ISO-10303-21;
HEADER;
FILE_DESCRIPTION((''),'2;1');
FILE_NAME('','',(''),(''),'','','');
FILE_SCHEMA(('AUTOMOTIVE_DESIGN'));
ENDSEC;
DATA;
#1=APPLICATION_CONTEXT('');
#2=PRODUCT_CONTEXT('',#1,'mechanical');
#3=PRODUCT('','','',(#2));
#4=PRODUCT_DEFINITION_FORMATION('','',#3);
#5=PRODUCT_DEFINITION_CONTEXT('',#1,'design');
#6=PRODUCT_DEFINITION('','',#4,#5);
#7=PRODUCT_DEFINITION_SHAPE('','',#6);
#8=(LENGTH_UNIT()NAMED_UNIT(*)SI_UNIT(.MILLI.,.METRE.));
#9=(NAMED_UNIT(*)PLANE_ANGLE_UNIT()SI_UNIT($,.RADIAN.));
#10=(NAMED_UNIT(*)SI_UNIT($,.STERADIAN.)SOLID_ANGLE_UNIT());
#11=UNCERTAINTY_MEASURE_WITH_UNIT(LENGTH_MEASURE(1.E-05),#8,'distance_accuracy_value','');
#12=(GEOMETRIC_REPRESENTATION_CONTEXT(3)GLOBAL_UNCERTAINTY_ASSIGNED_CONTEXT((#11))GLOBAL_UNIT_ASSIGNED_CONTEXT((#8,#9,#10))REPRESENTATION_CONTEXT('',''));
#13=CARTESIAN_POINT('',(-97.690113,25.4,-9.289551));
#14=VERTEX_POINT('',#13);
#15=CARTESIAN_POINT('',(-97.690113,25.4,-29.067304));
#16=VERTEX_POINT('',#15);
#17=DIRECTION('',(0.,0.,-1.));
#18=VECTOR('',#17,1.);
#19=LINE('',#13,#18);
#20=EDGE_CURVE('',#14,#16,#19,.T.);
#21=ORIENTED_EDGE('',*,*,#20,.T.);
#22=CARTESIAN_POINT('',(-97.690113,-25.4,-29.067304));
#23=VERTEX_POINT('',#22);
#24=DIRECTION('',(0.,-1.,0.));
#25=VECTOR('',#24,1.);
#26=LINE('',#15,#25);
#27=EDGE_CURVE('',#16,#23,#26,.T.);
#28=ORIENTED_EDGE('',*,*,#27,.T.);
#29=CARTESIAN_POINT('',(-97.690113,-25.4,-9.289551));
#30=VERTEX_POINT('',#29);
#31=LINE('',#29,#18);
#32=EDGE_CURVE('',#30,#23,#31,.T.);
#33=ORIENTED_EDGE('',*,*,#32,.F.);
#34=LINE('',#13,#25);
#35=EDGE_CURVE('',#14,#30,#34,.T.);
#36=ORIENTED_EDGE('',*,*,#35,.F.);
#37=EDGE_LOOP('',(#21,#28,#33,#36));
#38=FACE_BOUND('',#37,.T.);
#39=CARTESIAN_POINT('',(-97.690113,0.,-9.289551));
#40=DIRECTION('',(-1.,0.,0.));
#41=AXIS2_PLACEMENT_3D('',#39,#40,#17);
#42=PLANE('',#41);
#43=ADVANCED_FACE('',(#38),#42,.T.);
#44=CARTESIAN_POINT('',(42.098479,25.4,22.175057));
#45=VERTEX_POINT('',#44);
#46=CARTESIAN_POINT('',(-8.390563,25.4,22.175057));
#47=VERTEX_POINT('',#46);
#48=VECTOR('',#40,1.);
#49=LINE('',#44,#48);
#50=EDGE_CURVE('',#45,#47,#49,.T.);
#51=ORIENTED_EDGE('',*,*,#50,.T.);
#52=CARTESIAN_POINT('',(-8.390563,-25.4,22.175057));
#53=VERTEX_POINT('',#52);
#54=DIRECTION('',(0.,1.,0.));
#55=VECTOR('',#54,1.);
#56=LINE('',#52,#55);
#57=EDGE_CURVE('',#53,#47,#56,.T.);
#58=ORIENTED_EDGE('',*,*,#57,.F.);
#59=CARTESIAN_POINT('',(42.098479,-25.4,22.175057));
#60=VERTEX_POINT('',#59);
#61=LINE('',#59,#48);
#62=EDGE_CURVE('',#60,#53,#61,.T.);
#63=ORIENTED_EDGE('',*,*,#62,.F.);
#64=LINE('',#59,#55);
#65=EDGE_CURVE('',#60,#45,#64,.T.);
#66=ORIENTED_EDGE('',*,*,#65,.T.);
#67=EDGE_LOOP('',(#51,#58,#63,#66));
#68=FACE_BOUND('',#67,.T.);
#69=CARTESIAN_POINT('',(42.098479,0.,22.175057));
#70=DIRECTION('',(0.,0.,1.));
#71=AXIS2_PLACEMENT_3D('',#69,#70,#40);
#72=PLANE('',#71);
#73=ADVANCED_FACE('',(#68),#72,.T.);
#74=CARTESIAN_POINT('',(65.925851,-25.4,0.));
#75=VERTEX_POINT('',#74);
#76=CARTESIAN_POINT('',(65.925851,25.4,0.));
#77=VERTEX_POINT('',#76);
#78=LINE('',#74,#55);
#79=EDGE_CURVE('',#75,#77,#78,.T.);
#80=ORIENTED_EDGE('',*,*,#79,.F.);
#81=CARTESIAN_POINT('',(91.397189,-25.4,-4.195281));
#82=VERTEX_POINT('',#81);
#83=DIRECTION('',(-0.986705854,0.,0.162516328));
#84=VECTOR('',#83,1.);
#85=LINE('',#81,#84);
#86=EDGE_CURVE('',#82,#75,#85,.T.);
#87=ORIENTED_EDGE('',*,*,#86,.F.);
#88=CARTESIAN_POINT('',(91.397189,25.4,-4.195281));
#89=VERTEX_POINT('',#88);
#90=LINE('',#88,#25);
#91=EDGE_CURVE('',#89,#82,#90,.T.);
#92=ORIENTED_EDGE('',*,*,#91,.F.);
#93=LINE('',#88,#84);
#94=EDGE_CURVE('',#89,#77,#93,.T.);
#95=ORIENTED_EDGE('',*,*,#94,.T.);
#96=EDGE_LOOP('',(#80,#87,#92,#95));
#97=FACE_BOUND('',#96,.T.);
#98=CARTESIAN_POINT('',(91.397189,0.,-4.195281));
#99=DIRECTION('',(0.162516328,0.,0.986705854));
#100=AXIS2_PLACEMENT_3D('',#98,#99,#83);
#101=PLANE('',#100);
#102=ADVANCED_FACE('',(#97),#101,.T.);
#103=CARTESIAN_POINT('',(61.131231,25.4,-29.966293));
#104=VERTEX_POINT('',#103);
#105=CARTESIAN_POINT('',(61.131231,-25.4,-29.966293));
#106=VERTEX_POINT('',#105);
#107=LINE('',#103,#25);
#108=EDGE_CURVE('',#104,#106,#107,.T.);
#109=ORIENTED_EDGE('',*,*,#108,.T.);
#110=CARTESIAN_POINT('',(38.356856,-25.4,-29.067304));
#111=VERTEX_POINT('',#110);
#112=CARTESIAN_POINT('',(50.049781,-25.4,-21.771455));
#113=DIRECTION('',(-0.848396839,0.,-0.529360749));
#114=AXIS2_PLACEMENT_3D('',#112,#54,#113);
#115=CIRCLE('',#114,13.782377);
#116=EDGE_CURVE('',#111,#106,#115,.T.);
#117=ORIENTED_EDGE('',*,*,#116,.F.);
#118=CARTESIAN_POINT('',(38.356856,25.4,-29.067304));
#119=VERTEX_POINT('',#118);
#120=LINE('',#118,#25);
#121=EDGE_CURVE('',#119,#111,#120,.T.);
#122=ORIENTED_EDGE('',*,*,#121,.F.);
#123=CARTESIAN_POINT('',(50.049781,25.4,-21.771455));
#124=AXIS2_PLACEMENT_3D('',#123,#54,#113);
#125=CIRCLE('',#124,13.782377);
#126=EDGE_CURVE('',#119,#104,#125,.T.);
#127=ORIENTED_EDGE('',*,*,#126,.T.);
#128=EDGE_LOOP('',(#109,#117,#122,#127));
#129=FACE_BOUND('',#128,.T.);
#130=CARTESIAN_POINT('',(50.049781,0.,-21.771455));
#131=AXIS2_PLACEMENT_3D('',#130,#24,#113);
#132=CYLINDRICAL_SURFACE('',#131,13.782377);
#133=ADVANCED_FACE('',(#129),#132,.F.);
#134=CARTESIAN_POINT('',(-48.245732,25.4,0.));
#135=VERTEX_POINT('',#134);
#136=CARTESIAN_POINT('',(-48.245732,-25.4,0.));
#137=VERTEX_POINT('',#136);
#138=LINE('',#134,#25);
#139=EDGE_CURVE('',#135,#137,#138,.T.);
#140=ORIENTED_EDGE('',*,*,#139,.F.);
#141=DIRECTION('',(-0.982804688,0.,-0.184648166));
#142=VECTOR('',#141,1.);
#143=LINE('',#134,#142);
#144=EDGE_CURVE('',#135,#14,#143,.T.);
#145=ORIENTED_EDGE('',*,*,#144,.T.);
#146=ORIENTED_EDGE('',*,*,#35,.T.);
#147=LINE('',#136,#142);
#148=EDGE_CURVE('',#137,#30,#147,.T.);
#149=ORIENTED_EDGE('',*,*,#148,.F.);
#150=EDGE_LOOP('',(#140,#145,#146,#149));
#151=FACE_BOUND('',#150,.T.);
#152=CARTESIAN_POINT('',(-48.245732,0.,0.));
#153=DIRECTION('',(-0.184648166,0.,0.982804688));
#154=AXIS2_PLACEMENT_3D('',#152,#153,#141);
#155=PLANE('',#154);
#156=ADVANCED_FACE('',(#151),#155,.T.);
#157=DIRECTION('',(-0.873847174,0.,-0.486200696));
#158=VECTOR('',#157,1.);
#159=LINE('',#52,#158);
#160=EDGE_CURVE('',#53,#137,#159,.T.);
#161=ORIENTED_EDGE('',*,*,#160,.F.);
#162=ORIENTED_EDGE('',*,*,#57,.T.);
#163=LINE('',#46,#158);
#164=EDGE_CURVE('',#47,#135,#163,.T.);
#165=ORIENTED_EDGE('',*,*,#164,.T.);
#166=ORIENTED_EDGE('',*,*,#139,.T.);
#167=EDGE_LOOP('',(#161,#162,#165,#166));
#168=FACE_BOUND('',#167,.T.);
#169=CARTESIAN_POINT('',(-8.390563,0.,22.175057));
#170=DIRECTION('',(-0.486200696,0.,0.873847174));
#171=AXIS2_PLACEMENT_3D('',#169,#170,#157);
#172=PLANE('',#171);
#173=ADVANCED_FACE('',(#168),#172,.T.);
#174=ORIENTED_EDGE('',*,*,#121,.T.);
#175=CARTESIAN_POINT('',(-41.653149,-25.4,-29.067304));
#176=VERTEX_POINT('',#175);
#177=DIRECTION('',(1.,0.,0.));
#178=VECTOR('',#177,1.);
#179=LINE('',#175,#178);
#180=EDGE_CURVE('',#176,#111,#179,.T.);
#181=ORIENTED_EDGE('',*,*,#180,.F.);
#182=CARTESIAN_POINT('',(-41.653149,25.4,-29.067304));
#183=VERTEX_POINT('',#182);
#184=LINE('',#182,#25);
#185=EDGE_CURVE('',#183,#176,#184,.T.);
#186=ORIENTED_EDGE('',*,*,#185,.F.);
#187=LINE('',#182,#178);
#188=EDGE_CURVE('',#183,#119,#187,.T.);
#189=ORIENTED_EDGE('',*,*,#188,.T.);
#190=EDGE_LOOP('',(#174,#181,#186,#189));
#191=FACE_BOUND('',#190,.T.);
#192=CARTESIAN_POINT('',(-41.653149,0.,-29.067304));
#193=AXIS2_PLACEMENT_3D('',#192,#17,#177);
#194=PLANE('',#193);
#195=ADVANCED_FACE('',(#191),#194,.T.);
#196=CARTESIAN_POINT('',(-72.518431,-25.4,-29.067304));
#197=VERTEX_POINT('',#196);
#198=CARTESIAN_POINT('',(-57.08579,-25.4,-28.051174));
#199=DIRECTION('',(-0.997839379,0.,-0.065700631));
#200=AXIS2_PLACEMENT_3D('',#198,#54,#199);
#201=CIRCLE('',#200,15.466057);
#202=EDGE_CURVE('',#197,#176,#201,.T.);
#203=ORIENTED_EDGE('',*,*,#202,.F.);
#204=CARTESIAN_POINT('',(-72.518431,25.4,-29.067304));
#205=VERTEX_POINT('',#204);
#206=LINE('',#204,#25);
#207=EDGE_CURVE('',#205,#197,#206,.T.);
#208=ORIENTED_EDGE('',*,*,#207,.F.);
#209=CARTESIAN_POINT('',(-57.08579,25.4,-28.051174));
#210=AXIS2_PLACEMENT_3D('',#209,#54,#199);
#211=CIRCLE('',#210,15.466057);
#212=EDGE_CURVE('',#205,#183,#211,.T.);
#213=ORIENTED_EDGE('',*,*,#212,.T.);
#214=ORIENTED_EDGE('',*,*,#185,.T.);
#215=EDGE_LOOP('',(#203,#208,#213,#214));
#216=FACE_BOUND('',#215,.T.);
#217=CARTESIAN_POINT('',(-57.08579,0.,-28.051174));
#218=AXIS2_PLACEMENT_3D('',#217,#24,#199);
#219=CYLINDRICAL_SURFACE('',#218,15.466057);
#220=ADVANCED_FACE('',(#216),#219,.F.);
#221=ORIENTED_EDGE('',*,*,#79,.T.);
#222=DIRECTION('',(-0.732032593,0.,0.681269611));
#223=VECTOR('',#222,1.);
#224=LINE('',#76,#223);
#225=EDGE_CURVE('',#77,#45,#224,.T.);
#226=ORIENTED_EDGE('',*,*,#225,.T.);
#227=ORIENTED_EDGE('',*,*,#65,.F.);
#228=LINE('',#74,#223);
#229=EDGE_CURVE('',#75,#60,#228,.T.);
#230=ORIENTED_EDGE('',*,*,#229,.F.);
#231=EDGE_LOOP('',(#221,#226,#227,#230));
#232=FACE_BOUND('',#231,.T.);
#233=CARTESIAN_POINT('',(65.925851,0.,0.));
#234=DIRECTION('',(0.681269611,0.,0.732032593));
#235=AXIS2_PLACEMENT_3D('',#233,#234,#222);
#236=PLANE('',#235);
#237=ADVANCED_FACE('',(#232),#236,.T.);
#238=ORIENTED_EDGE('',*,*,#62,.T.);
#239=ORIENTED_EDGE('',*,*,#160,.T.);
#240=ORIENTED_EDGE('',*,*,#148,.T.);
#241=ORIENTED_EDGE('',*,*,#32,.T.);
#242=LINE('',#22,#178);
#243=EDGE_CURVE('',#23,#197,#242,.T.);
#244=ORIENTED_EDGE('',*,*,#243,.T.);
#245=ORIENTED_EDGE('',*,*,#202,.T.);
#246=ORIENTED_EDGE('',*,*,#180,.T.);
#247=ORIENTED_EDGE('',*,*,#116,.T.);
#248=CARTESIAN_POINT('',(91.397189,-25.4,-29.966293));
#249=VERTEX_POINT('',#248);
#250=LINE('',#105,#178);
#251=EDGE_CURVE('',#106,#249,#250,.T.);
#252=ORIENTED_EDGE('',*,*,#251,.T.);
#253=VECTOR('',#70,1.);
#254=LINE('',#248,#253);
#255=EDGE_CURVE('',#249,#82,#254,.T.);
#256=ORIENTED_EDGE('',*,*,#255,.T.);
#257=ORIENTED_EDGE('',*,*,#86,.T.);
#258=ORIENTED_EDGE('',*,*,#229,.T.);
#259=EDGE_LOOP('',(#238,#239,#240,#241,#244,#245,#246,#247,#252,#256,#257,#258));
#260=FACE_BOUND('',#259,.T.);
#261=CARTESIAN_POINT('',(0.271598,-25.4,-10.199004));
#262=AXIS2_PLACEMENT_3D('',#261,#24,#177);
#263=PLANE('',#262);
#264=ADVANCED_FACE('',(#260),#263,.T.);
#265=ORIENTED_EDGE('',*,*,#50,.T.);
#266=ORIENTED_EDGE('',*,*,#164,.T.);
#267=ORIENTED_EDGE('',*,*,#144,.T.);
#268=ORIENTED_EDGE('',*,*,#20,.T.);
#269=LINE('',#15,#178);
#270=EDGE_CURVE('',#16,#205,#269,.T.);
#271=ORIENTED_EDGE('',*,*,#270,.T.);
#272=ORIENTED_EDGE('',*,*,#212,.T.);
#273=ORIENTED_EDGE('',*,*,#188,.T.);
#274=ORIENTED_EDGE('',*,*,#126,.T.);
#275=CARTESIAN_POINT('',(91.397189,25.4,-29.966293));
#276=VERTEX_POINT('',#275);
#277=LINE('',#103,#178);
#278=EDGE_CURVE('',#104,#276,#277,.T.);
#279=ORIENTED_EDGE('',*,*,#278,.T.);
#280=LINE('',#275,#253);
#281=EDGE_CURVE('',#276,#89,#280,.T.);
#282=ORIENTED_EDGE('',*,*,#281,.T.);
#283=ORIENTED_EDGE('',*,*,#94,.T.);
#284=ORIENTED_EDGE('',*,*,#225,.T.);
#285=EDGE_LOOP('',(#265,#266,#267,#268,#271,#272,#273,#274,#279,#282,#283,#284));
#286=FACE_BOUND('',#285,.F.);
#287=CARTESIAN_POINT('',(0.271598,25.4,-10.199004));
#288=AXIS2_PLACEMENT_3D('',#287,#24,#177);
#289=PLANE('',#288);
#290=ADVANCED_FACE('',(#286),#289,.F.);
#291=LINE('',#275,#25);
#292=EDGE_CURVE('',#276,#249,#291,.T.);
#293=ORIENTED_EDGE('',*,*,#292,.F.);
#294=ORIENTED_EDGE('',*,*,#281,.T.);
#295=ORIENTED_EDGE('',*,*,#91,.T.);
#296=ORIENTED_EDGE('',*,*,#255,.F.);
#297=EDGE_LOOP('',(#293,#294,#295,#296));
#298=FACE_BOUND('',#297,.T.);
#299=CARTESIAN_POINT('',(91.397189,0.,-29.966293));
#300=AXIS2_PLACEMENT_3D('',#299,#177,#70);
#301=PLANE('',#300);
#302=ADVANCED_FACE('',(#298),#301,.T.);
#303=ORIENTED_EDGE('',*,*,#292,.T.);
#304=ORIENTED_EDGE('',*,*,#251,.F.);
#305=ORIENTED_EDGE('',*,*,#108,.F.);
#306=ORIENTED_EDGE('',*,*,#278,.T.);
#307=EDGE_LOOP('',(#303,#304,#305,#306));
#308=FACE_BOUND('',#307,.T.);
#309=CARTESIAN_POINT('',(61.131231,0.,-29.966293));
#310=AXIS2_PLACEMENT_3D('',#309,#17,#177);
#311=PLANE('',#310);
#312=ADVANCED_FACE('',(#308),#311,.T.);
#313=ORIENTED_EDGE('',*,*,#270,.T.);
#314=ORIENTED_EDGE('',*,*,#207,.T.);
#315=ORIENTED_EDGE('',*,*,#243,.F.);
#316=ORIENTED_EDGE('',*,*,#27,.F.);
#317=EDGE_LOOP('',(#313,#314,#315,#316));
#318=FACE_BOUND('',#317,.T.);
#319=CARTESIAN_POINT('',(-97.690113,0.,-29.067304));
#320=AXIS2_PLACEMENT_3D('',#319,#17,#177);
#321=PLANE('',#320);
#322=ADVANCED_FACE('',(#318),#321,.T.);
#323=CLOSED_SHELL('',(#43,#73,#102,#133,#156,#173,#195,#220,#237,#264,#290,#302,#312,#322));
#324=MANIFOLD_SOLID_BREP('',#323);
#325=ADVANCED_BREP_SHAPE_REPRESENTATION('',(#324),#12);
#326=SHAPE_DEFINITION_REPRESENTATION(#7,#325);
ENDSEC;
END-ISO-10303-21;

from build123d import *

# Parameters (mm, degrees)
F1_DEPTH      = 25.4
F1_DEPTH_BACK = 25.4


with BuildPart() as f1:
    # F0 (on Front) → F1 (new body, two sides)
    with BuildSketch(Plane.XZ) as f1_sk:
        with BuildLine():
            Line((-8.390563, 22.175057), (-48.245732, 0))
            Line((-48.245732, 0), (-97.690113, -9.289551))
            Line((-97.690113, -9.289551), (-97.690113, -29.067304))
            Line((-97.690113, -29.067304), (-72.518431, -29.067304))
            ThreePointArc((-72.518431, -29.067304), (-57.08579, -12.585117), (-41.653149, -29.067304))
            Line((-41.653149, -29.067304), (38.356856, -29.067304))
            ThreePointArc((38.356856, -29.067304), (50.593399, -7.999803), (61.131231, -29.966293))
            Line((61.131231, -29.966293), (91.397189, -29.966293))
            Line((91.397189, -29.966293), (91.397189, -4.195281))
            Line((91.397189, -4.195281), (65.925851, 0))
            Line((65.925851, 0), (42.098479, 22.175057))
            Line((42.098479, 22.175057), (-8.390563, 22.175057))
        make_face()
    extrude(amount=F1_DEPTH)
    extrude(f1_sk.sketch, amount=-F1_DEPTH_BACK)


solid = f1.part
